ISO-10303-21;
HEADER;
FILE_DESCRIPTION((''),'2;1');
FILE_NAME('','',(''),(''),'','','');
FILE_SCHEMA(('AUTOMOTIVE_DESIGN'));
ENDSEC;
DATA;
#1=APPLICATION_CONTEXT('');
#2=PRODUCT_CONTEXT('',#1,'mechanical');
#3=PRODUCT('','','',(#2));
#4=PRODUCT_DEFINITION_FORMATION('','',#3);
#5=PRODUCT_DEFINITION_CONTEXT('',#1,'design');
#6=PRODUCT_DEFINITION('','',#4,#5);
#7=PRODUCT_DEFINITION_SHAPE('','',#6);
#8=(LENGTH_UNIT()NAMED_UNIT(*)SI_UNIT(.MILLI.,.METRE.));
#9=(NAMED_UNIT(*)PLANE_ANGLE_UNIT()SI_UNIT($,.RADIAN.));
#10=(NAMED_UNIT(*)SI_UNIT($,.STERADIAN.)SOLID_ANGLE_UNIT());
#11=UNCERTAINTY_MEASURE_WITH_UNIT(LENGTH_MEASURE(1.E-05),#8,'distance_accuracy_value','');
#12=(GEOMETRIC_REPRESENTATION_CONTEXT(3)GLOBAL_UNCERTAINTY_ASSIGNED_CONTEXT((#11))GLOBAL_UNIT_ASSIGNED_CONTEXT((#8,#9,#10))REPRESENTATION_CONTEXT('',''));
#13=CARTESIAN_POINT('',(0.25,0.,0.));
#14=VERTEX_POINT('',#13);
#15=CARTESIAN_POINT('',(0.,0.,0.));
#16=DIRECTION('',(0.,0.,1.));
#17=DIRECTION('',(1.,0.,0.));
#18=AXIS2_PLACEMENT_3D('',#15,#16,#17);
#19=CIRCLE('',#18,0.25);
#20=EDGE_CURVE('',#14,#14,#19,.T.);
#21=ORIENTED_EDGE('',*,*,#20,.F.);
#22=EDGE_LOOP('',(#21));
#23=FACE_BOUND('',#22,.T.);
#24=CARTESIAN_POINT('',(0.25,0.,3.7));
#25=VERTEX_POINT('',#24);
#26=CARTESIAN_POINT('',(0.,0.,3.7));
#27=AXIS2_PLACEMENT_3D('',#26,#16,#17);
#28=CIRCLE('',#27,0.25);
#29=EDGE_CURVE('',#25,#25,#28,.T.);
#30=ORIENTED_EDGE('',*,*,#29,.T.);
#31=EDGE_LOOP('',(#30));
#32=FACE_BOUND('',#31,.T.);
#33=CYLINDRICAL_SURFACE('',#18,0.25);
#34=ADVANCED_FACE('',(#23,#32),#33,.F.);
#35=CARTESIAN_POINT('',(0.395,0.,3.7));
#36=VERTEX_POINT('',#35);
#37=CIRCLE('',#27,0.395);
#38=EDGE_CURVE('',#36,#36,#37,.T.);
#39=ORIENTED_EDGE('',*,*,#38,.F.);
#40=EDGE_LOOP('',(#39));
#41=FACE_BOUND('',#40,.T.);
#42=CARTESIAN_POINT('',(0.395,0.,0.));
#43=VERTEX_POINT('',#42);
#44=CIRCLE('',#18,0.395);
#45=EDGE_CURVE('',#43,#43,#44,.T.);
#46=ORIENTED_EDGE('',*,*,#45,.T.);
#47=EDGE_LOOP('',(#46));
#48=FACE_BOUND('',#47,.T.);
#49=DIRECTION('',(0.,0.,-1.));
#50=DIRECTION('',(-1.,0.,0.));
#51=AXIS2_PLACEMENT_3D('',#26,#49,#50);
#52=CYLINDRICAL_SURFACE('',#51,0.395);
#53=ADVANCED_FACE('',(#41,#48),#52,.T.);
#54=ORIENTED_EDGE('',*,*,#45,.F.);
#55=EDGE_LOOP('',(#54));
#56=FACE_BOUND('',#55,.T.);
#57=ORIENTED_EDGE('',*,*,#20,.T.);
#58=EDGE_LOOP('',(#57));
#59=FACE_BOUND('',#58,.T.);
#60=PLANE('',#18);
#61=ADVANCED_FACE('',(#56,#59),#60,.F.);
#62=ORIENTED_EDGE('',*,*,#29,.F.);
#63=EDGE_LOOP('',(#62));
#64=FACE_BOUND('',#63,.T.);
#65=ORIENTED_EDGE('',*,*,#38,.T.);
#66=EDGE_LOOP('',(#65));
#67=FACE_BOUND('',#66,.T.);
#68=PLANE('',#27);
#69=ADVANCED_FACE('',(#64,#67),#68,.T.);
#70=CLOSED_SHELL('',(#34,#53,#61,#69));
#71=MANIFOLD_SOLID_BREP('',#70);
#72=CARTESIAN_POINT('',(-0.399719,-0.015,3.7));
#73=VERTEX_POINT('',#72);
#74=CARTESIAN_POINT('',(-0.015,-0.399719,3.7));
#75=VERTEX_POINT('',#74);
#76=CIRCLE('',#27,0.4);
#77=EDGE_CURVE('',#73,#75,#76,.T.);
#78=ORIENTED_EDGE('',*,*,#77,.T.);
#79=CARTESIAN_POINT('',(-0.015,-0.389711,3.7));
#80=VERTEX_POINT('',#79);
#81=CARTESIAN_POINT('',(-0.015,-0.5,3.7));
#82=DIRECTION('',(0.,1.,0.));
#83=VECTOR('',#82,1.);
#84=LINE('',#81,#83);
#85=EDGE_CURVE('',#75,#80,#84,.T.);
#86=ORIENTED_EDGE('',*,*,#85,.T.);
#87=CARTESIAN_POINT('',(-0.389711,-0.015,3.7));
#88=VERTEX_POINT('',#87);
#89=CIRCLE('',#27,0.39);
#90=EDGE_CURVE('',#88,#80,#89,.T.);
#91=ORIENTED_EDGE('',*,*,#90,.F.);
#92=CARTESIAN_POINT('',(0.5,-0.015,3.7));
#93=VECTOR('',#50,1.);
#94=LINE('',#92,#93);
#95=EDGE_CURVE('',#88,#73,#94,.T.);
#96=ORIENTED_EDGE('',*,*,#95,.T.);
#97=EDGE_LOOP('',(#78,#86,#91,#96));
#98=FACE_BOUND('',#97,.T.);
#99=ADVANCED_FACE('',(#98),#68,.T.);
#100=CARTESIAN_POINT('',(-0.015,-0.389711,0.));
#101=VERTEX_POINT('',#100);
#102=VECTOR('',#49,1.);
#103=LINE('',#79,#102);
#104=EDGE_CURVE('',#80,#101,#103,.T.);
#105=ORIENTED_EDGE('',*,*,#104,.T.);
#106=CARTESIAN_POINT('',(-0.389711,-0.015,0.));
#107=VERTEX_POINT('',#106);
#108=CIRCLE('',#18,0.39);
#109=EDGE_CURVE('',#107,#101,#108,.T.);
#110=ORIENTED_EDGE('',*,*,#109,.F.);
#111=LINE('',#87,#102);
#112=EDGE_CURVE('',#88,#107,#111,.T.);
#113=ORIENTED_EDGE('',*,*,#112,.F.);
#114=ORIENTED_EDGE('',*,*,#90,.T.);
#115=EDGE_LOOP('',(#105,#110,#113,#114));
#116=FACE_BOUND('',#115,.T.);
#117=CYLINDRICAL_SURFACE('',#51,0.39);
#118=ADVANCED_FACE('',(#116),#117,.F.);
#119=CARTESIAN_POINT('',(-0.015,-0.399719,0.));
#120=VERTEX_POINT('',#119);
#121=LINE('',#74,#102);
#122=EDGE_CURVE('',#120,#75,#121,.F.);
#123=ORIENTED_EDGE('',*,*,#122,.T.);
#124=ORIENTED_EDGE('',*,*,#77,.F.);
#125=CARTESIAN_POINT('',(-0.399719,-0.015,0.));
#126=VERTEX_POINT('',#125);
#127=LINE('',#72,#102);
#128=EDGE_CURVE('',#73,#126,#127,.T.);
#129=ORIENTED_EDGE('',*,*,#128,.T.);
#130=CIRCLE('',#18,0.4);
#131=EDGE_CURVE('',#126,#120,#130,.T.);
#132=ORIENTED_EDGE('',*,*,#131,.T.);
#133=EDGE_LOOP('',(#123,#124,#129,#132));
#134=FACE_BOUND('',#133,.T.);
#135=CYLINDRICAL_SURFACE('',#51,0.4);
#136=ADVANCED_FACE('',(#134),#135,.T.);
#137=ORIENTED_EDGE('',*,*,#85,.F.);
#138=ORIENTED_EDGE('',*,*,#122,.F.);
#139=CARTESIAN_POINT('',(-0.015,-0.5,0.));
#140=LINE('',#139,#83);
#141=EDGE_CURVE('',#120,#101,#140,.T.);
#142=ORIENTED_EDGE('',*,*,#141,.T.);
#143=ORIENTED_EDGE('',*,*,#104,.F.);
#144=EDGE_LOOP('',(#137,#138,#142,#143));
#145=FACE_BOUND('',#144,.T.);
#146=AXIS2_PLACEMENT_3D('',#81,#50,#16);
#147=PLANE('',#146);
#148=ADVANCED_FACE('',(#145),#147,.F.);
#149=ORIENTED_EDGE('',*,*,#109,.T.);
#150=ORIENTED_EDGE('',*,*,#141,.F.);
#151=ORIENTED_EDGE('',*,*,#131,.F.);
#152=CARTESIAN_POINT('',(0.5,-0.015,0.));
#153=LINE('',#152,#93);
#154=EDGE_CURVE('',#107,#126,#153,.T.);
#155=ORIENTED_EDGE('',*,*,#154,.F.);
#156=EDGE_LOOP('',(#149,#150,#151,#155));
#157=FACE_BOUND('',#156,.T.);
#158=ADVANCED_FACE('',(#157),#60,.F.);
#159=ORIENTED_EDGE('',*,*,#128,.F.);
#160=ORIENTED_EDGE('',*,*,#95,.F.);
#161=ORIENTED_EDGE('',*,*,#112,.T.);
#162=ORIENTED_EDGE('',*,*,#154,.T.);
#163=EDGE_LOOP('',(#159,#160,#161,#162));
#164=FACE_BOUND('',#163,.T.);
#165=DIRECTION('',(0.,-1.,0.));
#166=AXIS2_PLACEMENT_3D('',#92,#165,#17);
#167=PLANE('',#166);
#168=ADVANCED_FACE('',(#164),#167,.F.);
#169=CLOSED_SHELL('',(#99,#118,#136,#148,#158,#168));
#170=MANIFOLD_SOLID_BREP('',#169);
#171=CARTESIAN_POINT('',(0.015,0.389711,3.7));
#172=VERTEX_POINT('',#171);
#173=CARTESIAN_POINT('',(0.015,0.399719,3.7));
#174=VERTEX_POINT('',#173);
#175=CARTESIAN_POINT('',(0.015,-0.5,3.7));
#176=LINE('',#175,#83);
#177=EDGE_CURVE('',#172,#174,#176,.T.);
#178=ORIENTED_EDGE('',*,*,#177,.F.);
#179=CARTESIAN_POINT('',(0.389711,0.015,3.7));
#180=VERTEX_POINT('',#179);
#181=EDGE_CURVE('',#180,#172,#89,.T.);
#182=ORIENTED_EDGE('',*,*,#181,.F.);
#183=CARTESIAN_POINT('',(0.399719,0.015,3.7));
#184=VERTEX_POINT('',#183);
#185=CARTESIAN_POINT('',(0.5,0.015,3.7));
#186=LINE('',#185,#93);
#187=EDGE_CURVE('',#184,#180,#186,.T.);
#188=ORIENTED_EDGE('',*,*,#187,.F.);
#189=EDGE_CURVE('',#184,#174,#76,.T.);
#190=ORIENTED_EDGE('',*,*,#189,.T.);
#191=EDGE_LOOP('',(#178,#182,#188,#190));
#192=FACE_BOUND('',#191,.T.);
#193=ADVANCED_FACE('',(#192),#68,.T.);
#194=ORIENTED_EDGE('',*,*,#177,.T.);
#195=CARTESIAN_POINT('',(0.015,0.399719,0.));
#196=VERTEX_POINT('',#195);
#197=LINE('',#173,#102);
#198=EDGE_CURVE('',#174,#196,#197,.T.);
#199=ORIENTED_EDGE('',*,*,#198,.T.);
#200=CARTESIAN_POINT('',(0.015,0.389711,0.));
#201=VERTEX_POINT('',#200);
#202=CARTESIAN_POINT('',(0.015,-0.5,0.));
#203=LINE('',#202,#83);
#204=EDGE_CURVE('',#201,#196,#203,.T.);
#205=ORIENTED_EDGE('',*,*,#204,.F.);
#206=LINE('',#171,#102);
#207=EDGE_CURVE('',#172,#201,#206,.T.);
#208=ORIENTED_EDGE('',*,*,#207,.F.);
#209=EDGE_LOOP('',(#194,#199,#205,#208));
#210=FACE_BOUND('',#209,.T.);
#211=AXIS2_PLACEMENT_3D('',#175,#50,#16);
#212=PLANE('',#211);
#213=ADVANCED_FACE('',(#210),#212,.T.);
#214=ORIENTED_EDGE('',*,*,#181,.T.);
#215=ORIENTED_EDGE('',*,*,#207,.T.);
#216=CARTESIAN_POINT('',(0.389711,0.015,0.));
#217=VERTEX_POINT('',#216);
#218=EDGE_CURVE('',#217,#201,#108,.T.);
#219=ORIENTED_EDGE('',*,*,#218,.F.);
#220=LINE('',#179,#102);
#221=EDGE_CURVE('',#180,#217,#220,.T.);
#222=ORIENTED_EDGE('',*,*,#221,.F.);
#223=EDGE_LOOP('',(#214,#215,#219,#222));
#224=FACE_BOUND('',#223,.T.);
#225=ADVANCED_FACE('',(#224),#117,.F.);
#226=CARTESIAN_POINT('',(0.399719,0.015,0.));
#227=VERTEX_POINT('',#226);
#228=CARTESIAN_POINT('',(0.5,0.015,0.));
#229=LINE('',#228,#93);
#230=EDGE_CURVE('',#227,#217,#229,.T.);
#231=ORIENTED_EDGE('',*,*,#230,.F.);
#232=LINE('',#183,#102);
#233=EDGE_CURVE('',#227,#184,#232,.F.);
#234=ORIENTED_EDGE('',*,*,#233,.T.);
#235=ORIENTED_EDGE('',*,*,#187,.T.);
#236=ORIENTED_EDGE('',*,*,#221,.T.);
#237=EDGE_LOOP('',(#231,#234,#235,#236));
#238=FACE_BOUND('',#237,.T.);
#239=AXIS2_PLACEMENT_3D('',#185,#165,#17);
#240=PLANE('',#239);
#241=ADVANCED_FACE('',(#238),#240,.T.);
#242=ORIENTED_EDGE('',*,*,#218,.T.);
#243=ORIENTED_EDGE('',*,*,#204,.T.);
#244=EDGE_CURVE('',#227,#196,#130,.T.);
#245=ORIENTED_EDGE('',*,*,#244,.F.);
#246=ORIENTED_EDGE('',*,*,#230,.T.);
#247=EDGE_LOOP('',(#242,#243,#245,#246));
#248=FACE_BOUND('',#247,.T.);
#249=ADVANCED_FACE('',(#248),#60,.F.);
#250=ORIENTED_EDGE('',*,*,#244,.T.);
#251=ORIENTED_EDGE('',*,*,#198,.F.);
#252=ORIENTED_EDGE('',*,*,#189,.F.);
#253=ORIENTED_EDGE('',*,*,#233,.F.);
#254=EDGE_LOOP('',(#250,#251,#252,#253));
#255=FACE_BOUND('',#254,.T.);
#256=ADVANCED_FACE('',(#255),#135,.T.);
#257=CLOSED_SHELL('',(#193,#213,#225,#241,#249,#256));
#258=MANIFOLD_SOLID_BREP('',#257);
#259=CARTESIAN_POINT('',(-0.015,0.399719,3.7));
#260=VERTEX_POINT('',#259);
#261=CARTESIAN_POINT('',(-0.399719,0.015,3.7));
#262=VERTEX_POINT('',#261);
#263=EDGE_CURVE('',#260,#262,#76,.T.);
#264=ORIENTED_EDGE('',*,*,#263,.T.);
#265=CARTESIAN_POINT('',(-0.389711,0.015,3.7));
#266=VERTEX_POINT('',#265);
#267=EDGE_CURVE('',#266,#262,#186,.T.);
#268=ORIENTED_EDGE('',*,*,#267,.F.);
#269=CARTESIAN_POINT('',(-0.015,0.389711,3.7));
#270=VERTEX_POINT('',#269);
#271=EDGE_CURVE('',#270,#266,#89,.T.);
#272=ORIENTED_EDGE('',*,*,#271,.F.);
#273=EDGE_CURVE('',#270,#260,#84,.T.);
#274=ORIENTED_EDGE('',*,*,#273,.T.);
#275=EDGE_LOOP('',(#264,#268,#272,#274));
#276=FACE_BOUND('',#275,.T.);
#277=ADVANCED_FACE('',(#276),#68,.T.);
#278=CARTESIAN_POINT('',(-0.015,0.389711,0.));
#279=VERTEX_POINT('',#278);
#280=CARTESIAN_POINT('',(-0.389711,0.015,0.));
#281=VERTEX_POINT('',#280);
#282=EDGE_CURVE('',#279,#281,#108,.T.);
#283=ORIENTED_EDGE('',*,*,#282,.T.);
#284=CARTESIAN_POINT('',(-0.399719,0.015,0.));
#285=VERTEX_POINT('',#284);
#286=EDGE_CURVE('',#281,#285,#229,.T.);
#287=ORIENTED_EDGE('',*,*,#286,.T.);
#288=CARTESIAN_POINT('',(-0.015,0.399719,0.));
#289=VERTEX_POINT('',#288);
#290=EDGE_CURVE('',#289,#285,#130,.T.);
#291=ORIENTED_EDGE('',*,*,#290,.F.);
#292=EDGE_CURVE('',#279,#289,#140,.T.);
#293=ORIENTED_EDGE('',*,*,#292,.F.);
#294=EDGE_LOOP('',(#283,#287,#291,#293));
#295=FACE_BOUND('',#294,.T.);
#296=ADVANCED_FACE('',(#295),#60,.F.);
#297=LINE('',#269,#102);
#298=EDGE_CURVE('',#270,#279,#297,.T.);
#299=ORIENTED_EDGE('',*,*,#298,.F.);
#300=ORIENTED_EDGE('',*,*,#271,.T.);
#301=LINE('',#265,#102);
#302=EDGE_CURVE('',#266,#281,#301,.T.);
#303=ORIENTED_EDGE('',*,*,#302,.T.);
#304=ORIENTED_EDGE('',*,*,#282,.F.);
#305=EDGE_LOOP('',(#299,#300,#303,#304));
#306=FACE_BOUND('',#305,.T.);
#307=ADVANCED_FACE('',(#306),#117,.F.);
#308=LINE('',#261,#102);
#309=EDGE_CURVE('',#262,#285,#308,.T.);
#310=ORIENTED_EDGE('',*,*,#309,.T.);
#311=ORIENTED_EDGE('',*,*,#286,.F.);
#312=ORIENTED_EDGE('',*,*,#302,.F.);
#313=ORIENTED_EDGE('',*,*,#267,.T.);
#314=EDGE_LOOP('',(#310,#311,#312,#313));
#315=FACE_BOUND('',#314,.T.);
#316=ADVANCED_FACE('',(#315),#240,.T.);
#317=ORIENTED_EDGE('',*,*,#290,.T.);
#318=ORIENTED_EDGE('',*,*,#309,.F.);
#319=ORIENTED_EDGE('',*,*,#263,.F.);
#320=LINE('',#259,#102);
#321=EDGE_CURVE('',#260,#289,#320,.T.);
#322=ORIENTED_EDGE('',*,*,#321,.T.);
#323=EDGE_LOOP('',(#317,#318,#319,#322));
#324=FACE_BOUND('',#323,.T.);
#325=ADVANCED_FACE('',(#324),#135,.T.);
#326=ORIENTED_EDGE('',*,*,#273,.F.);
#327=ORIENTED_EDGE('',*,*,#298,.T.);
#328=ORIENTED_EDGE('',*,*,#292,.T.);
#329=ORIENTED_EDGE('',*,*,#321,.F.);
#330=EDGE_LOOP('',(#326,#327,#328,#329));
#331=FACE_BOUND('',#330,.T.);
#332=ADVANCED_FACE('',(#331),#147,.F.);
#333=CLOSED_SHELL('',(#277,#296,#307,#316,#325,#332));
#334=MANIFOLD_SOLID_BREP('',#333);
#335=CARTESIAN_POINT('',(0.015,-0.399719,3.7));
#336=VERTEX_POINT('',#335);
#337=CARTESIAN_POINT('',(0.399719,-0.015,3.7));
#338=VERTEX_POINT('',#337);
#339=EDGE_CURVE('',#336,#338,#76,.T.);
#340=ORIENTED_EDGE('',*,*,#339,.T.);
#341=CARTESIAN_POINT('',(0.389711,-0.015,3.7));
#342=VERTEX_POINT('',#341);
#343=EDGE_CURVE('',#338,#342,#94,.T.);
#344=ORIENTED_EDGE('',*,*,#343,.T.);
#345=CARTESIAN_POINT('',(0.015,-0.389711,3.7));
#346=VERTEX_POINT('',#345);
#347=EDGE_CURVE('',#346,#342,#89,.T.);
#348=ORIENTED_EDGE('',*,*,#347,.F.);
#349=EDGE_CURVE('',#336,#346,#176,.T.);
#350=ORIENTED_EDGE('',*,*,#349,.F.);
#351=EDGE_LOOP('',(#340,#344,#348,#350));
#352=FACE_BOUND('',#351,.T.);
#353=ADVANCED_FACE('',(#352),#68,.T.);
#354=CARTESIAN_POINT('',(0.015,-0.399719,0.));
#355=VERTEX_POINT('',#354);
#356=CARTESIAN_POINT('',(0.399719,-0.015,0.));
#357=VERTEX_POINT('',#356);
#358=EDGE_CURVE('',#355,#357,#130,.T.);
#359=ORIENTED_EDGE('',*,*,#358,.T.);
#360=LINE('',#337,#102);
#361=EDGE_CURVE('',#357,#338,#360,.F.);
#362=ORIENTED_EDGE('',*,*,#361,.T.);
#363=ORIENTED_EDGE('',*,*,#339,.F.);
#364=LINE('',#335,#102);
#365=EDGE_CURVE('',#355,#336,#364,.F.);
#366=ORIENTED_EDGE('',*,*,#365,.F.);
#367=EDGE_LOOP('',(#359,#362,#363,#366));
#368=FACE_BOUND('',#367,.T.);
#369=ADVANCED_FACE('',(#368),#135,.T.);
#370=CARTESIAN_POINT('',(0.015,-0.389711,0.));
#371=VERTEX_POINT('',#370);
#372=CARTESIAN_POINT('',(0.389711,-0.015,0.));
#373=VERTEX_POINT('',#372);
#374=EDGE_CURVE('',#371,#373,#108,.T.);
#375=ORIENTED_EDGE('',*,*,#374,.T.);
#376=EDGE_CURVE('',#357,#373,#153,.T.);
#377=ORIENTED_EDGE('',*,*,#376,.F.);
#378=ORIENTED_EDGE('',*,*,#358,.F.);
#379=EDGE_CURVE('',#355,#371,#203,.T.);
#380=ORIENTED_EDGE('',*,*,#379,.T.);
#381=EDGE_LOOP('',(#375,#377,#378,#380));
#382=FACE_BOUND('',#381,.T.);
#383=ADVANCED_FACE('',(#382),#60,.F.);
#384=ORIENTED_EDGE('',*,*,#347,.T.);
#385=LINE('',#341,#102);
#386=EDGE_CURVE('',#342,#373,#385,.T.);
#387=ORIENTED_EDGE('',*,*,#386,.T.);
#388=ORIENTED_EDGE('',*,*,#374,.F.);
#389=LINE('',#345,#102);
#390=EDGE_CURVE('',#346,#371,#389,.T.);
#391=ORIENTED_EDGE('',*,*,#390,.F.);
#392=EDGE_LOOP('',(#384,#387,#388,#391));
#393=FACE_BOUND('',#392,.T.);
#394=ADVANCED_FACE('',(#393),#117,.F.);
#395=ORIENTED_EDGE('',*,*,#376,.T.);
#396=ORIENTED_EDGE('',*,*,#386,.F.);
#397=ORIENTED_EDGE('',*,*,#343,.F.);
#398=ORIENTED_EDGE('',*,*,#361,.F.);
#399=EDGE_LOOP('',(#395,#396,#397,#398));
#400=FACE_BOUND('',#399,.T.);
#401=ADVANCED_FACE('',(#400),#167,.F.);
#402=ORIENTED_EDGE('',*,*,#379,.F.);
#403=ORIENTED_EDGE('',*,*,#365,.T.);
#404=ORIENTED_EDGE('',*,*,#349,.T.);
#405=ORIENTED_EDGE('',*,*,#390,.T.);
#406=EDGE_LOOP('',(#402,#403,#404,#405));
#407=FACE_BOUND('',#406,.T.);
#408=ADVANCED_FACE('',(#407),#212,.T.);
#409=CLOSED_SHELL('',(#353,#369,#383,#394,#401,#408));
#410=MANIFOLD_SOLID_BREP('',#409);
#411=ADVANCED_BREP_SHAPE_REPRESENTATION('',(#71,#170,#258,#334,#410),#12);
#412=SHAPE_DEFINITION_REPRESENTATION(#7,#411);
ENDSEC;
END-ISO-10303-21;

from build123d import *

# Parameters (mm, degrees)
SKETCH1_R                = 0.4
SKETCH1_R_2              = 0.39
EXTERNAL_ELECTRODE_DEPTH = 3.7
SKETCH3_W                = 0.03
SKETCH3_H                = 1
SKETCH3_W_2              = 1
SKETCH3_H_2              = 0.03
CUTS_DEPTH               = 3.7
SKETCH5_R                = 0.395
SKETCH5_R_2              = 0.255
PZT_TUBE_DEPTH           = 3.7
SKETCH7_R                = 0.255
SKETCH7_R_2              = 0.25
INTERNAL_ELECTRODE_DEPTH = 3.7


with BuildPart() as part:
    # Sketch1 → External Electrode (new body)
    with BuildSketch(Plane.XY):
        Circle(SKETCH1_R)
        Circle(SKETCH1_R_2, mode=Mode.SUBTRACT)
    extrude(amount=EXTERNAL_ELECTRODE_DEPTH)

    # Sketch3 → Cuts (cut)
    with BuildSketch(Plane.XY):
        Rectangle(SKETCH3_W, SKETCH3_H)
        Rectangle(SKETCH3_W_2, SKETCH3_H_2)
    extrude(amount=CUTS_DEPTH, mode=Mode.SUBTRACT)


with BuildPart() as cuts_piece_1:
    # of the separate pieces the step leaves, piece 1, a body of its own (cuts_pieces)
    add(part.part.solids().sort_by_distance((-0.015, 0.399718651, 0))[0])


with BuildPart() as cuts_piece_2:
    # of the separate pieces the step leaves, piece 2, a body of its own (cuts_pieces)
    add(part.part.solids().sort_by_distance((-0.399718651, -0.015, 0))[0])


with BuildPart() as cuts_piece_3:
    # of the separate pieces the step leaves, piece 3, a body of its own (cuts_pieces)
    add(part.part.solids().sort_by_distance((0.015, -0.399718651, 0))[0])


with BuildPart() as cuts_piece_4:
    # of the separate pieces the step leaves, piece 4, a body of its own (cuts_pieces)
    add(part.part.solids().sort_by_distance((0.399718651, 0.015, 0))[0])


with BuildPart() as body_5:
    # Sketch5 → PZT Tube (new body)
    with BuildSketch(Plane.XY):
        Circle(SKETCH5_R)
        Circle(SKETCH5_R_2, mode=Mode.SUBTRACT)
    extrude(amount=PZT_TUBE_DEPTH)

    # Sketch7 → Internal Electrode (add)
    with BuildSketch(Plane.XY.offset(3.7)):
        Circle(SKETCH7_R)
        Circle(SKETCH7_R_2, mode=Mode.SUBTRACT)
    extrude(amount=-INTERNAL_ELECTRODE_DEPTH)


solid = Compound([cuts_piece_1.part, cuts_piece_2.part, cuts_piece_3.part, cuts_piece_4.part, body_5.part])
